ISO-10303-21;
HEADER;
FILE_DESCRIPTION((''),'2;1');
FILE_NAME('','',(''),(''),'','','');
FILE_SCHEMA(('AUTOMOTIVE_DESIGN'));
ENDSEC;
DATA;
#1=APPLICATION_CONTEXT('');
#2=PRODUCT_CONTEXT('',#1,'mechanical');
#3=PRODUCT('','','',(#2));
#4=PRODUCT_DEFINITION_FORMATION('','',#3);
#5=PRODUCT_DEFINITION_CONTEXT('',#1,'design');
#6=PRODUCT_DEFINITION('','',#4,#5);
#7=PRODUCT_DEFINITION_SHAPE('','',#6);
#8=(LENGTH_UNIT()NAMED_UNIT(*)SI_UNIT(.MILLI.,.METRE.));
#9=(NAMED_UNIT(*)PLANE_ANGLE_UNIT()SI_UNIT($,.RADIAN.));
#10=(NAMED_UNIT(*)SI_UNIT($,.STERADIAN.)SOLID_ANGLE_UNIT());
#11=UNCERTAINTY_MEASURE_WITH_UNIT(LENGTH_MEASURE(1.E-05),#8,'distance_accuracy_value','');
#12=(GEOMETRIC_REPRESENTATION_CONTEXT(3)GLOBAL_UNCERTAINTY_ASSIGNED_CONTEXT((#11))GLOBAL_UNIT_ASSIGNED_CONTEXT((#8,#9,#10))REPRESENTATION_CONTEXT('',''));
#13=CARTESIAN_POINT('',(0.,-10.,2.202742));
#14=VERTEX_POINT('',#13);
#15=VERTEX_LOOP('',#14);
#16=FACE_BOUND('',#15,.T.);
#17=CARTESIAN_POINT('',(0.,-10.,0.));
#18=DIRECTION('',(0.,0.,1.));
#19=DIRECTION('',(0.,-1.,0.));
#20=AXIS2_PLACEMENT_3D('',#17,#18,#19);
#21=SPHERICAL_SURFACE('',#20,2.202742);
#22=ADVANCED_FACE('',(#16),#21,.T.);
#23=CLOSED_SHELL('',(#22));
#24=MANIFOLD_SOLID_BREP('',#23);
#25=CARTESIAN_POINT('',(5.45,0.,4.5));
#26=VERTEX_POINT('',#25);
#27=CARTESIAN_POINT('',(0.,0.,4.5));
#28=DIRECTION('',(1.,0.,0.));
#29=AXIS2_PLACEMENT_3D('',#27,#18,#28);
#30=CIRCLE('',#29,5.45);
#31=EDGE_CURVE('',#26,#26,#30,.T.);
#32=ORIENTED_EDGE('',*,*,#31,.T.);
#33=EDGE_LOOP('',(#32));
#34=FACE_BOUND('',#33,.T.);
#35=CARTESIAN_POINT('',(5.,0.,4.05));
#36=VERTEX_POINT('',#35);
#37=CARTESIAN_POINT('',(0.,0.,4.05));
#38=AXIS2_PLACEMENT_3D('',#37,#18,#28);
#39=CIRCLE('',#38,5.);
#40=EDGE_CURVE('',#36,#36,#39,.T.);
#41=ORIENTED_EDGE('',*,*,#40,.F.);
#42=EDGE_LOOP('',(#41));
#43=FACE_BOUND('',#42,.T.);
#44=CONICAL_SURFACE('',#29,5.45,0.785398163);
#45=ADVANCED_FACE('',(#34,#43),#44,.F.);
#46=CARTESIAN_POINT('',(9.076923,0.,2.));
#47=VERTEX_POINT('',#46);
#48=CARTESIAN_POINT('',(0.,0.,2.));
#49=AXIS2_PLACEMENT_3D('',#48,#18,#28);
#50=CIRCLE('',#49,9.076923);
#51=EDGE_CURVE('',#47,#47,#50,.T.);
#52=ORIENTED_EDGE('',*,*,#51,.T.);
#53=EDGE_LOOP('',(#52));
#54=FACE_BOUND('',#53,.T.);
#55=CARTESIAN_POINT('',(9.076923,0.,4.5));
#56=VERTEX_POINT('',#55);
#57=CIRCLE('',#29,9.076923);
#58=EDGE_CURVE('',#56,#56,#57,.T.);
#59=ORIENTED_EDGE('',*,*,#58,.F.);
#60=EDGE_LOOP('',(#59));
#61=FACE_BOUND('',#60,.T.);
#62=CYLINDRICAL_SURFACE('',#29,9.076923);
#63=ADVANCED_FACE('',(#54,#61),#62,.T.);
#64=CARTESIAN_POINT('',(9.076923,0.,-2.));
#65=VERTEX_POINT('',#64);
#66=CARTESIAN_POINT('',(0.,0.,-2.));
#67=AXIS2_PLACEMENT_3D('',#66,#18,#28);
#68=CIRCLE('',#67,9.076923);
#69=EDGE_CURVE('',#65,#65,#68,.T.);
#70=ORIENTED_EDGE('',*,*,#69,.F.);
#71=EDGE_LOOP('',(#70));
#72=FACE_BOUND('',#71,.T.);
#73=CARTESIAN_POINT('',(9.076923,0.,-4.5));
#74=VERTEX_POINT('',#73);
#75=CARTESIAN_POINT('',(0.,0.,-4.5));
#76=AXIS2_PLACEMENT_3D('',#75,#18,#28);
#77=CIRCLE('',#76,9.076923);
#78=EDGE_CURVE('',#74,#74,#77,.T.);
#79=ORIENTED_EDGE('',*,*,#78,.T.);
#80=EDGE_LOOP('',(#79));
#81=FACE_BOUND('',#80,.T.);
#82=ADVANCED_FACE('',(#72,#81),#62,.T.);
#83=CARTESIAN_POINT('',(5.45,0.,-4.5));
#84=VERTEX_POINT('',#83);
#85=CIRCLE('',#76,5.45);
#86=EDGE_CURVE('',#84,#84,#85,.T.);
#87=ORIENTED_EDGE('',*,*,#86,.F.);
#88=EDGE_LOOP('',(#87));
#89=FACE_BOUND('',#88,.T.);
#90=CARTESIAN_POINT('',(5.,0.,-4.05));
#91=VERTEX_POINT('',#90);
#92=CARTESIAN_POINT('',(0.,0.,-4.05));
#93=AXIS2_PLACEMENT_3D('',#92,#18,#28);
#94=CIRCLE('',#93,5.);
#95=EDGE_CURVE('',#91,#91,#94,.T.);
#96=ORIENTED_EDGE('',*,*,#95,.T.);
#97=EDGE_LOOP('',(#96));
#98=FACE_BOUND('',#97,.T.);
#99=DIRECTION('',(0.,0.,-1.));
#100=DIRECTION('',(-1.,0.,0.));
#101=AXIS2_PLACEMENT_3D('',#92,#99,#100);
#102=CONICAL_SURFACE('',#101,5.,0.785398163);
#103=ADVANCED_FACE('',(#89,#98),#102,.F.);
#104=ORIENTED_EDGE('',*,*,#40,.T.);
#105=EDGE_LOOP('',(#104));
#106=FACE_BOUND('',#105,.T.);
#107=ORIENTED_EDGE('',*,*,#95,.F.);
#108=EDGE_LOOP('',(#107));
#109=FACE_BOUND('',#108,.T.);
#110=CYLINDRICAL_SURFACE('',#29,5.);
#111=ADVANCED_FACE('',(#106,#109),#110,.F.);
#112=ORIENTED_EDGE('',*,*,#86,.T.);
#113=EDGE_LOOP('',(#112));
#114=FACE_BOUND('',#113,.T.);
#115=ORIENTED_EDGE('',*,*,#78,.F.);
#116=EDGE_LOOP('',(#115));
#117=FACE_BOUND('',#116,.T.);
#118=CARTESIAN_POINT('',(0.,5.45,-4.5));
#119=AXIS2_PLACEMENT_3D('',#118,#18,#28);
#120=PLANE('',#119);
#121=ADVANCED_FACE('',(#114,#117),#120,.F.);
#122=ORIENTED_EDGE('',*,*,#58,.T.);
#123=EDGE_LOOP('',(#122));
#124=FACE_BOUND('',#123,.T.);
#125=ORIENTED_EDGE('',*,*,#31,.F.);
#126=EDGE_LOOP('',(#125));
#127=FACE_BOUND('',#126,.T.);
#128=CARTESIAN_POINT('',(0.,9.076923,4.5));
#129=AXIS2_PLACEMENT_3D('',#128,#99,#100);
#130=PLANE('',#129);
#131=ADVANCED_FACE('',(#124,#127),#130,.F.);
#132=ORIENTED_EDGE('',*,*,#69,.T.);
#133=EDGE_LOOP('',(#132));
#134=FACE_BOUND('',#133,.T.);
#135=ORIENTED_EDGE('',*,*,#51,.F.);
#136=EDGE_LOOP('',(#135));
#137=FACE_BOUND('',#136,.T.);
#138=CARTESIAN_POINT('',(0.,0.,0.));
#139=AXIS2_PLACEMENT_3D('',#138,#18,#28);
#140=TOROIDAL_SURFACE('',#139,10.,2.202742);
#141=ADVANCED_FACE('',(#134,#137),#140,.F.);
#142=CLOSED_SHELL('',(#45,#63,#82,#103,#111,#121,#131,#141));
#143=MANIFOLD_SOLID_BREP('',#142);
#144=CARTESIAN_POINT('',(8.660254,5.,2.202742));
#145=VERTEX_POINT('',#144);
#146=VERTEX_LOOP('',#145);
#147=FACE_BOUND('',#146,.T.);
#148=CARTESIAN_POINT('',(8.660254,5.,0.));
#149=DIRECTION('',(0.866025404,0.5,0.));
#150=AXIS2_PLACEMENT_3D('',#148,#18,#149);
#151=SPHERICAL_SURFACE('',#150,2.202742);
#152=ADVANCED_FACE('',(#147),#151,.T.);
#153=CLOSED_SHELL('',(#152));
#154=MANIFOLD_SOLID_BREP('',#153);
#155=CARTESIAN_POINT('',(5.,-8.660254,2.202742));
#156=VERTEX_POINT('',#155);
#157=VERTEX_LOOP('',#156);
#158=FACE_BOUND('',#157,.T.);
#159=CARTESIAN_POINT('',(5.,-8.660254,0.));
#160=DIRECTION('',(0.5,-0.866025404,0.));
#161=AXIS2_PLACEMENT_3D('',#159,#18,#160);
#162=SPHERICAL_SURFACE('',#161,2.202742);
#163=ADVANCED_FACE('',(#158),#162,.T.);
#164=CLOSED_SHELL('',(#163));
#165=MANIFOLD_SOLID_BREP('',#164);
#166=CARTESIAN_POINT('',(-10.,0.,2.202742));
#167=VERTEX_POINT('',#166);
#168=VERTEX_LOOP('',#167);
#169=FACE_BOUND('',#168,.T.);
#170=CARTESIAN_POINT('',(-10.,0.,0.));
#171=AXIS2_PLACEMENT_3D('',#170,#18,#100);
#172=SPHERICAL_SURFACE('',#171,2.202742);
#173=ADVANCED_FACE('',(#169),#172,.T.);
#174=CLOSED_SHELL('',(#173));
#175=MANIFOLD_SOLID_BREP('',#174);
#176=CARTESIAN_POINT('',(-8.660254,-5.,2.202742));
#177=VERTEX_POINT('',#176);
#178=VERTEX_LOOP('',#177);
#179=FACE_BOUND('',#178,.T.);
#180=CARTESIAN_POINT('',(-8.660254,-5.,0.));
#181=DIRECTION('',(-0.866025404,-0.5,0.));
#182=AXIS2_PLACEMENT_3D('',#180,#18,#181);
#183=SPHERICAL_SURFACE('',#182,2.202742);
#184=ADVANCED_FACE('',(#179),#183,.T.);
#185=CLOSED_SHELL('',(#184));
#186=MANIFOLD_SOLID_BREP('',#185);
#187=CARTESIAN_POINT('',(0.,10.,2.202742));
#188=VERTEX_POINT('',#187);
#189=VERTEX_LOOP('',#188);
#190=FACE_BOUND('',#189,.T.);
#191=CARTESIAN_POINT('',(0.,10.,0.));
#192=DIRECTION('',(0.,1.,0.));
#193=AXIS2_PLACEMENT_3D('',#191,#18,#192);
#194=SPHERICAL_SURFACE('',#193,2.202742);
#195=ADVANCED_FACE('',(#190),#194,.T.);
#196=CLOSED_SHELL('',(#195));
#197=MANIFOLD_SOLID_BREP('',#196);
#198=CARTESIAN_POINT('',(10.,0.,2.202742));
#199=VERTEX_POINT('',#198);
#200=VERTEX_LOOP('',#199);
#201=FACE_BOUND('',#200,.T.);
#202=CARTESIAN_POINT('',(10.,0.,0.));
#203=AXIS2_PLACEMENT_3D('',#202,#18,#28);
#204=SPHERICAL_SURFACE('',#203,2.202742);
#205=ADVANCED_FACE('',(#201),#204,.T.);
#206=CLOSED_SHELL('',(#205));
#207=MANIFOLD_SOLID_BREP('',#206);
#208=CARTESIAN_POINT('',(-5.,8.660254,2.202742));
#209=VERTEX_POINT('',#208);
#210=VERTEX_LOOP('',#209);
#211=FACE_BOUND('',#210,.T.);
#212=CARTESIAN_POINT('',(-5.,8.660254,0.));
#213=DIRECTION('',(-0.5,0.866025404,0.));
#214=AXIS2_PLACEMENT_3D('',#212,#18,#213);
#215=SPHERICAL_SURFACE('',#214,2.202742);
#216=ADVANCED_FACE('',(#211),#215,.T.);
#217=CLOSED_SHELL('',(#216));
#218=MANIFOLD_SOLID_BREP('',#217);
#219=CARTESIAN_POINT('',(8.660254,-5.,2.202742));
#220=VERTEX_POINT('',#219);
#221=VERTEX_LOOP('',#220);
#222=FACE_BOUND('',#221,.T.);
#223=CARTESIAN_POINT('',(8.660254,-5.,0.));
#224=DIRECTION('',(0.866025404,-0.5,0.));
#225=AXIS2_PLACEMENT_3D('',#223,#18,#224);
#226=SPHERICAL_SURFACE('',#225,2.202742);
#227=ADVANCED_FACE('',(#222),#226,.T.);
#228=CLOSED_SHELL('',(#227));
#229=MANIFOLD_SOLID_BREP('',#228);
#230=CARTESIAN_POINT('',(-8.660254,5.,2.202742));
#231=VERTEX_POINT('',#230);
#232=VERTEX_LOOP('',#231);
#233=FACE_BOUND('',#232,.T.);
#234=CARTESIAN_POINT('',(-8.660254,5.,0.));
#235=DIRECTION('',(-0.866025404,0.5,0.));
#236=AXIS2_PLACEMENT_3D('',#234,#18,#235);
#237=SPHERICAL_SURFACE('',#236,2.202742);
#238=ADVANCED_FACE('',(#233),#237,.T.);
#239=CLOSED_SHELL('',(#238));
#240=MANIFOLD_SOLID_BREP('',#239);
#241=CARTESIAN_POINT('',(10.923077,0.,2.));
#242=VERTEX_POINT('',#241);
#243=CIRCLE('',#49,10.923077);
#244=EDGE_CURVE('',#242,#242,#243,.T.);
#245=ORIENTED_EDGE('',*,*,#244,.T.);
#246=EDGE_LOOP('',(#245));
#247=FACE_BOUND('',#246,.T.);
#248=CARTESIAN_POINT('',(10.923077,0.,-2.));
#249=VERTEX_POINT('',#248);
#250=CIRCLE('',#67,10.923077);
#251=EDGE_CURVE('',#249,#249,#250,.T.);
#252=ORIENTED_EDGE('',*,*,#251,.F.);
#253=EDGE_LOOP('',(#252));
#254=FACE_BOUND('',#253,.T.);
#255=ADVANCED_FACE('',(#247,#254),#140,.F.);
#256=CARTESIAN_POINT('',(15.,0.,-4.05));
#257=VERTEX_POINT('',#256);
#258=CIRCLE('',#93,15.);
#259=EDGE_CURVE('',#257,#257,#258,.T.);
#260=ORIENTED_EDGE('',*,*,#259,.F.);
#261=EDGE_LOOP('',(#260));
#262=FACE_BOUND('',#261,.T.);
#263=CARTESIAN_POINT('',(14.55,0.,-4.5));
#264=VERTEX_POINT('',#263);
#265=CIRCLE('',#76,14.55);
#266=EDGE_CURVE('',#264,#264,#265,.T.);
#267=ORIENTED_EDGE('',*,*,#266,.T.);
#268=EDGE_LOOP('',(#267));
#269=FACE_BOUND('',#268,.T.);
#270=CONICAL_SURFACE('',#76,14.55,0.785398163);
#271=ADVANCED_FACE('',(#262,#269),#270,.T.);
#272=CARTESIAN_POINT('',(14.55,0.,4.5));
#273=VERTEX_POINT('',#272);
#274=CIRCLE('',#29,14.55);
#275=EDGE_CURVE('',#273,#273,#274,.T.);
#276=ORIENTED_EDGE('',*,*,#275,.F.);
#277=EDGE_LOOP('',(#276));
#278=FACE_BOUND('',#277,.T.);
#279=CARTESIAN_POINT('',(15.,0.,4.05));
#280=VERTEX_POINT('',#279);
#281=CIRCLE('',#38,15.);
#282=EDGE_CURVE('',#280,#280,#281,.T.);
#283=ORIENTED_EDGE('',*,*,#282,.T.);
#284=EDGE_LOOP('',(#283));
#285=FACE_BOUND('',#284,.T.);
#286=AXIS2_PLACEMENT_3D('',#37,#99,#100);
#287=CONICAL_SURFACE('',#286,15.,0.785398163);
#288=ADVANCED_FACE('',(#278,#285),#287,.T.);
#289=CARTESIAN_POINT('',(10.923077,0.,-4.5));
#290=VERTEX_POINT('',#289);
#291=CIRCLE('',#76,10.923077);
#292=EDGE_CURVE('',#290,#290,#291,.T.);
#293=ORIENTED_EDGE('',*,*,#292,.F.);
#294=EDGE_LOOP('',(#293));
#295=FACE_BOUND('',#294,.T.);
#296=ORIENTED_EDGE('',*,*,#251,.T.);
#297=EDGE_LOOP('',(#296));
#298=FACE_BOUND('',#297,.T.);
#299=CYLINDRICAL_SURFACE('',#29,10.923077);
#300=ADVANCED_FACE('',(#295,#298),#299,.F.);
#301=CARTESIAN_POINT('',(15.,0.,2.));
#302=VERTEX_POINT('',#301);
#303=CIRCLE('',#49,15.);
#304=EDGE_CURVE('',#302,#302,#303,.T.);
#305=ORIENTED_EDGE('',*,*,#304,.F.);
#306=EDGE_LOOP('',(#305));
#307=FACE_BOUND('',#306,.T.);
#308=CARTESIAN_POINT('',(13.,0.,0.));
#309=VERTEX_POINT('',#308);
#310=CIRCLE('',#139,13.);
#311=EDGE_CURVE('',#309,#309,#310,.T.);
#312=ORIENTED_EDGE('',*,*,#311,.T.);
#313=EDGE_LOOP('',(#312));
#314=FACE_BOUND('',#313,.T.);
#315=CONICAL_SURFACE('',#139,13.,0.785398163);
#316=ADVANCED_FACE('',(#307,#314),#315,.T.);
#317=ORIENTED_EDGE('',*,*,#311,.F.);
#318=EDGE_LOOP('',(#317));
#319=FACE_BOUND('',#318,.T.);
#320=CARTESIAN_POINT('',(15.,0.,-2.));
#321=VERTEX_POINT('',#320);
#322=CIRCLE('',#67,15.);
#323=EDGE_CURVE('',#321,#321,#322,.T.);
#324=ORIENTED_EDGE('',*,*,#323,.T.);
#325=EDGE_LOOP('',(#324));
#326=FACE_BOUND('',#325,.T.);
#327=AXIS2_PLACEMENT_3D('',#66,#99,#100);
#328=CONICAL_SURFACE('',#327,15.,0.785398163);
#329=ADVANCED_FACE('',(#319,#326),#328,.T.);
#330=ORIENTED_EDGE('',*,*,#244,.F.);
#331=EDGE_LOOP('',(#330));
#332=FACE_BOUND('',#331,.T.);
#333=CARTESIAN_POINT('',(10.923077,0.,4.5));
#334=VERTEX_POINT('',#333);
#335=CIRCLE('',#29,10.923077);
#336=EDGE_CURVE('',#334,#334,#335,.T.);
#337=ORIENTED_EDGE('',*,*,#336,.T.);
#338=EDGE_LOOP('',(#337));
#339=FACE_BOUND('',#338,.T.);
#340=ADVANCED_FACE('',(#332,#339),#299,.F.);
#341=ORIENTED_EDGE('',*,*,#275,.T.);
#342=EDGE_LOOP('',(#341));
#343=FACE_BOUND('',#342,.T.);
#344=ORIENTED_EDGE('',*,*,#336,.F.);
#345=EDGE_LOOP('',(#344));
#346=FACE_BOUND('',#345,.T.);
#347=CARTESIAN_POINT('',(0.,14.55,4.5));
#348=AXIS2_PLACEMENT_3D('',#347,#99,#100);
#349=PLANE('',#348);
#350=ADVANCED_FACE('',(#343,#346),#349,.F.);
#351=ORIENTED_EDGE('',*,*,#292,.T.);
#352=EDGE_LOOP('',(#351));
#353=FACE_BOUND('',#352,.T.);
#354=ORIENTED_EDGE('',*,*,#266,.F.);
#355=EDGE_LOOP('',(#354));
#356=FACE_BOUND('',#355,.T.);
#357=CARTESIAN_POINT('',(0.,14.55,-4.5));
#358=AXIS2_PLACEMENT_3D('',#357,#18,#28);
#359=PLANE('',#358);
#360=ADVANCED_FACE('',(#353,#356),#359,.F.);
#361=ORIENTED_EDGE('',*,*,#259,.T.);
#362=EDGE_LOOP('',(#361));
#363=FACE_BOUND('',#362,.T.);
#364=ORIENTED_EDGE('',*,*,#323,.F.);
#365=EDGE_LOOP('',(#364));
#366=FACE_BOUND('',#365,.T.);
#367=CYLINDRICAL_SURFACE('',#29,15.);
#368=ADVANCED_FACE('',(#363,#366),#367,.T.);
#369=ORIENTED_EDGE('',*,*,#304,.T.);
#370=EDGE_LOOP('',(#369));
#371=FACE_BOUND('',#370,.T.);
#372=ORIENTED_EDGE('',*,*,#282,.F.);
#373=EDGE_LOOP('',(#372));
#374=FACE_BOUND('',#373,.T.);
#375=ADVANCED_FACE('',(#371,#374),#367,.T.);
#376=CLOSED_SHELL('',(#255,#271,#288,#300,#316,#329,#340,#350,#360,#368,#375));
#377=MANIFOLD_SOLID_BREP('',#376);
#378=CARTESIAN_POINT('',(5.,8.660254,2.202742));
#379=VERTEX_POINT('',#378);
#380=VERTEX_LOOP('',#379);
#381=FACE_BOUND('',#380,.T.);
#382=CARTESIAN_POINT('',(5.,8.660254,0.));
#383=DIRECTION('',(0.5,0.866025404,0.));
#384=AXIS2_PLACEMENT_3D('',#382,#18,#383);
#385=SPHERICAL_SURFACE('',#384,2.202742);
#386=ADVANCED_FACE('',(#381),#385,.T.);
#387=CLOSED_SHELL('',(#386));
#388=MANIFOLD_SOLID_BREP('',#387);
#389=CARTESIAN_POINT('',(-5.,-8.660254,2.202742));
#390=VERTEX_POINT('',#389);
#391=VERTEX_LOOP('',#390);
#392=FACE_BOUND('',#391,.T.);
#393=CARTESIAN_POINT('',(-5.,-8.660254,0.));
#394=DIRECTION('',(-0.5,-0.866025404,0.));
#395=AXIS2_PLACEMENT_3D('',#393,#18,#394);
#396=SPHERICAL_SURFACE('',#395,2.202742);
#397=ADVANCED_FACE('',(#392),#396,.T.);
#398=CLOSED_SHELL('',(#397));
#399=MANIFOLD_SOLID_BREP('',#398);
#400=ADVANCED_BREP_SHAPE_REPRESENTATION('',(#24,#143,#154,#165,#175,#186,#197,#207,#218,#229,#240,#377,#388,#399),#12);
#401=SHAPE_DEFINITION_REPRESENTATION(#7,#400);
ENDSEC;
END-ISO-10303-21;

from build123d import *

# Parameters (mm, degrees)
CIRPATTERN1_COUNT = 12


with BuildPart() as part:
    # Sketch1 → Revolve1 (revolve)
    with BuildSketch(Plane(origin=(0, 0, 0), x_dir=(0, 0, -1), z_dir=(1, 0, 0))):
        with BuildLine():
            Line((4.05, 15), (2, 15))
            Line((2, 15), (0, 13))
            Line((0, 13), (-2, 15))
            Line((-2, 15), (-4.05, 15))
            Line((-4.05, 15), (-4.5, 14.55))
            Line((-4.5, 14.55), (-4.5, 10.923076923))
            Line((-4.5, 10.923076923), (-2, 10.923076923))
            ThreePointArc((-2, 10.923076923), (0, 12.202741702), (2, 10.923076923))
            Line((2, 10.923076923), (4.5, 10.923076923))
            Line((4.5, 10.923076923), (4.5, 14.55))
            Line((4.5, 14.55), (4.05, 15))
        make_face()
    revolve(axis=Axis((0, 0, 4.5), (0, 0, -1)))


with BuildPart() as body_2:
    # Sketch3 → Revolve3 (revolve)
    with BuildSketch(Plane(origin=(0, 0, 0), x_dir=(0, 0, -1), z_dir=(1, 0, 0))):
        with BuildLine():
            Line((-4.5, 9.076923077), (-2, 9.076923077))
            ThreePointArc((-2, 9.076923077), (0, 7.797258298), (2, 9.076923077))
            Line((2, 9.076923077), (4.5, 9.076923077))
            Line((4.5, 9.076923077), (4.5, 5.45))
            Line((4.5, 5.45), (4.05, 5))
            Line((4.05, 5), (-4.05, 5))
            Line((-4.05, 5), (-4.5, 5.45))
            Line((-4.5, 5.45), (-4.5, 9.076923077))
        make_face()
    revolve(axis=Axis((0, 0, 4.5), (0, 0, -1)))


with BuildPart() as body_3:
    # Sketch4 → Revolve4 (revolve)
    with BuildSketch(Plane(origin=(0, 0, 0), x_dir=(0, 0, -1), z_dir=(1, 0, 0))):
        with BuildLine():
            Line((-2.202741702, 10), (2.202741702, 10))
            ThreePointArc((2.202741702, 10), (0, 12.202741702), (-2.202741702, 10))
        make_face()
    revolve(axis=Axis((0, 10, 2.202741702), (0, 0, -1)))


with BuildPart() as cirpattern1_1:
    # CirPattern1: pattern copy
    add(body_3.part.rotate(Axis((0, 0, -4.5), (0, 0, 1)), 1 * 360 / CIRPATTERN1_COUNT))


with BuildPart() as cirpattern1_2:
    # CirPattern1: pattern copy
    add(body_3.part.rotate(Axis((0, 0, -4.5), (0, 0, 1)), 2 * 360 / CIRPATTERN1_COUNT))


with BuildPart() as cirpattern1_3:
    # CirPattern1: pattern copy
    add(body_3.part.rotate(Axis((0, 0, -4.5), (0, 0, 1)), 3 * 360 / CIRPATTERN1_COUNT))


with BuildPart() as cirpattern1_4:
    # CirPattern1: pattern copy
    add(body_3.part.rotate(Axis((0, 0, -4.5), (0, 0, 1)), 4 * 360 / CIRPATTERN1_COUNT))


with BuildPart() as cirpattern1_5:
    # CirPattern1: pattern copy
    add(body_3.part.rotate(Axis((0, 0, -4.5), (0, 0, 1)), 5 * 360 / CIRPATTERN1_COUNT))


with BuildPart() as cirpattern1_6:
    # CirPattern1: pattern copy
    add(body_3.part.rotate(Axis((0, 0, -4.5), (0, 0, 1)), 6 * 360 / CIRPATTERN1_COUNT))


with BuildPart() as cirpattern1_7:
    # CirPattern1: pattern copy
    add(body_3.part.rotate(Axis((0, 0, -4.5), (0, 0, 1)), 7 * 360 / CIRPATTERN1_COUNT))


with BuildPart() as cirpattern1_8:
    # CirPattern1: pattern copy
    add(body_3.part.rotate(Axis((0, 0, -4.5), (0, 0, 1)), 8 * 360 / CIRPATTERN1_COUNT))


with BuildPart() as cirpattern1_9:
    # CirPattern1: pattern copy
    add(body_3.part.rotate(Axis((0, 0, -4.5), (0, 0, 1)), 9 * 360 / CIRPATTERN1_COUNT))


with BuildPart() as cirpattern1_10:
    # CirPattern1: pattern copy
    add(body_3.part.rotate(Axis((0, 0, -4.5), (0, 0, 1)), 10 * 360 / CIRPATTERN1_COUNT))


with BuildPart() as cirpattern1_11:
    # CirPattern1: pattern copy
    add(body_3.part.rotate(Axis((0, 0, -4.5), (0, 0, 1)), 11 * 360 / CIRPATTERN1_COUNT))


solid = Compound([part.part, body_2.part, body_3.part, cirpattern1_1.part, cirpattern1_2.part, cirpattern1_3.part, cirpattern1_4.part, cirpattern1_5.part, cirpattern1_6.part, cirpattern1_7.part, cirpattern1_8.part, cirpattern1_9.part, cirpattern1_10.part, cirpattern1_11.part])
